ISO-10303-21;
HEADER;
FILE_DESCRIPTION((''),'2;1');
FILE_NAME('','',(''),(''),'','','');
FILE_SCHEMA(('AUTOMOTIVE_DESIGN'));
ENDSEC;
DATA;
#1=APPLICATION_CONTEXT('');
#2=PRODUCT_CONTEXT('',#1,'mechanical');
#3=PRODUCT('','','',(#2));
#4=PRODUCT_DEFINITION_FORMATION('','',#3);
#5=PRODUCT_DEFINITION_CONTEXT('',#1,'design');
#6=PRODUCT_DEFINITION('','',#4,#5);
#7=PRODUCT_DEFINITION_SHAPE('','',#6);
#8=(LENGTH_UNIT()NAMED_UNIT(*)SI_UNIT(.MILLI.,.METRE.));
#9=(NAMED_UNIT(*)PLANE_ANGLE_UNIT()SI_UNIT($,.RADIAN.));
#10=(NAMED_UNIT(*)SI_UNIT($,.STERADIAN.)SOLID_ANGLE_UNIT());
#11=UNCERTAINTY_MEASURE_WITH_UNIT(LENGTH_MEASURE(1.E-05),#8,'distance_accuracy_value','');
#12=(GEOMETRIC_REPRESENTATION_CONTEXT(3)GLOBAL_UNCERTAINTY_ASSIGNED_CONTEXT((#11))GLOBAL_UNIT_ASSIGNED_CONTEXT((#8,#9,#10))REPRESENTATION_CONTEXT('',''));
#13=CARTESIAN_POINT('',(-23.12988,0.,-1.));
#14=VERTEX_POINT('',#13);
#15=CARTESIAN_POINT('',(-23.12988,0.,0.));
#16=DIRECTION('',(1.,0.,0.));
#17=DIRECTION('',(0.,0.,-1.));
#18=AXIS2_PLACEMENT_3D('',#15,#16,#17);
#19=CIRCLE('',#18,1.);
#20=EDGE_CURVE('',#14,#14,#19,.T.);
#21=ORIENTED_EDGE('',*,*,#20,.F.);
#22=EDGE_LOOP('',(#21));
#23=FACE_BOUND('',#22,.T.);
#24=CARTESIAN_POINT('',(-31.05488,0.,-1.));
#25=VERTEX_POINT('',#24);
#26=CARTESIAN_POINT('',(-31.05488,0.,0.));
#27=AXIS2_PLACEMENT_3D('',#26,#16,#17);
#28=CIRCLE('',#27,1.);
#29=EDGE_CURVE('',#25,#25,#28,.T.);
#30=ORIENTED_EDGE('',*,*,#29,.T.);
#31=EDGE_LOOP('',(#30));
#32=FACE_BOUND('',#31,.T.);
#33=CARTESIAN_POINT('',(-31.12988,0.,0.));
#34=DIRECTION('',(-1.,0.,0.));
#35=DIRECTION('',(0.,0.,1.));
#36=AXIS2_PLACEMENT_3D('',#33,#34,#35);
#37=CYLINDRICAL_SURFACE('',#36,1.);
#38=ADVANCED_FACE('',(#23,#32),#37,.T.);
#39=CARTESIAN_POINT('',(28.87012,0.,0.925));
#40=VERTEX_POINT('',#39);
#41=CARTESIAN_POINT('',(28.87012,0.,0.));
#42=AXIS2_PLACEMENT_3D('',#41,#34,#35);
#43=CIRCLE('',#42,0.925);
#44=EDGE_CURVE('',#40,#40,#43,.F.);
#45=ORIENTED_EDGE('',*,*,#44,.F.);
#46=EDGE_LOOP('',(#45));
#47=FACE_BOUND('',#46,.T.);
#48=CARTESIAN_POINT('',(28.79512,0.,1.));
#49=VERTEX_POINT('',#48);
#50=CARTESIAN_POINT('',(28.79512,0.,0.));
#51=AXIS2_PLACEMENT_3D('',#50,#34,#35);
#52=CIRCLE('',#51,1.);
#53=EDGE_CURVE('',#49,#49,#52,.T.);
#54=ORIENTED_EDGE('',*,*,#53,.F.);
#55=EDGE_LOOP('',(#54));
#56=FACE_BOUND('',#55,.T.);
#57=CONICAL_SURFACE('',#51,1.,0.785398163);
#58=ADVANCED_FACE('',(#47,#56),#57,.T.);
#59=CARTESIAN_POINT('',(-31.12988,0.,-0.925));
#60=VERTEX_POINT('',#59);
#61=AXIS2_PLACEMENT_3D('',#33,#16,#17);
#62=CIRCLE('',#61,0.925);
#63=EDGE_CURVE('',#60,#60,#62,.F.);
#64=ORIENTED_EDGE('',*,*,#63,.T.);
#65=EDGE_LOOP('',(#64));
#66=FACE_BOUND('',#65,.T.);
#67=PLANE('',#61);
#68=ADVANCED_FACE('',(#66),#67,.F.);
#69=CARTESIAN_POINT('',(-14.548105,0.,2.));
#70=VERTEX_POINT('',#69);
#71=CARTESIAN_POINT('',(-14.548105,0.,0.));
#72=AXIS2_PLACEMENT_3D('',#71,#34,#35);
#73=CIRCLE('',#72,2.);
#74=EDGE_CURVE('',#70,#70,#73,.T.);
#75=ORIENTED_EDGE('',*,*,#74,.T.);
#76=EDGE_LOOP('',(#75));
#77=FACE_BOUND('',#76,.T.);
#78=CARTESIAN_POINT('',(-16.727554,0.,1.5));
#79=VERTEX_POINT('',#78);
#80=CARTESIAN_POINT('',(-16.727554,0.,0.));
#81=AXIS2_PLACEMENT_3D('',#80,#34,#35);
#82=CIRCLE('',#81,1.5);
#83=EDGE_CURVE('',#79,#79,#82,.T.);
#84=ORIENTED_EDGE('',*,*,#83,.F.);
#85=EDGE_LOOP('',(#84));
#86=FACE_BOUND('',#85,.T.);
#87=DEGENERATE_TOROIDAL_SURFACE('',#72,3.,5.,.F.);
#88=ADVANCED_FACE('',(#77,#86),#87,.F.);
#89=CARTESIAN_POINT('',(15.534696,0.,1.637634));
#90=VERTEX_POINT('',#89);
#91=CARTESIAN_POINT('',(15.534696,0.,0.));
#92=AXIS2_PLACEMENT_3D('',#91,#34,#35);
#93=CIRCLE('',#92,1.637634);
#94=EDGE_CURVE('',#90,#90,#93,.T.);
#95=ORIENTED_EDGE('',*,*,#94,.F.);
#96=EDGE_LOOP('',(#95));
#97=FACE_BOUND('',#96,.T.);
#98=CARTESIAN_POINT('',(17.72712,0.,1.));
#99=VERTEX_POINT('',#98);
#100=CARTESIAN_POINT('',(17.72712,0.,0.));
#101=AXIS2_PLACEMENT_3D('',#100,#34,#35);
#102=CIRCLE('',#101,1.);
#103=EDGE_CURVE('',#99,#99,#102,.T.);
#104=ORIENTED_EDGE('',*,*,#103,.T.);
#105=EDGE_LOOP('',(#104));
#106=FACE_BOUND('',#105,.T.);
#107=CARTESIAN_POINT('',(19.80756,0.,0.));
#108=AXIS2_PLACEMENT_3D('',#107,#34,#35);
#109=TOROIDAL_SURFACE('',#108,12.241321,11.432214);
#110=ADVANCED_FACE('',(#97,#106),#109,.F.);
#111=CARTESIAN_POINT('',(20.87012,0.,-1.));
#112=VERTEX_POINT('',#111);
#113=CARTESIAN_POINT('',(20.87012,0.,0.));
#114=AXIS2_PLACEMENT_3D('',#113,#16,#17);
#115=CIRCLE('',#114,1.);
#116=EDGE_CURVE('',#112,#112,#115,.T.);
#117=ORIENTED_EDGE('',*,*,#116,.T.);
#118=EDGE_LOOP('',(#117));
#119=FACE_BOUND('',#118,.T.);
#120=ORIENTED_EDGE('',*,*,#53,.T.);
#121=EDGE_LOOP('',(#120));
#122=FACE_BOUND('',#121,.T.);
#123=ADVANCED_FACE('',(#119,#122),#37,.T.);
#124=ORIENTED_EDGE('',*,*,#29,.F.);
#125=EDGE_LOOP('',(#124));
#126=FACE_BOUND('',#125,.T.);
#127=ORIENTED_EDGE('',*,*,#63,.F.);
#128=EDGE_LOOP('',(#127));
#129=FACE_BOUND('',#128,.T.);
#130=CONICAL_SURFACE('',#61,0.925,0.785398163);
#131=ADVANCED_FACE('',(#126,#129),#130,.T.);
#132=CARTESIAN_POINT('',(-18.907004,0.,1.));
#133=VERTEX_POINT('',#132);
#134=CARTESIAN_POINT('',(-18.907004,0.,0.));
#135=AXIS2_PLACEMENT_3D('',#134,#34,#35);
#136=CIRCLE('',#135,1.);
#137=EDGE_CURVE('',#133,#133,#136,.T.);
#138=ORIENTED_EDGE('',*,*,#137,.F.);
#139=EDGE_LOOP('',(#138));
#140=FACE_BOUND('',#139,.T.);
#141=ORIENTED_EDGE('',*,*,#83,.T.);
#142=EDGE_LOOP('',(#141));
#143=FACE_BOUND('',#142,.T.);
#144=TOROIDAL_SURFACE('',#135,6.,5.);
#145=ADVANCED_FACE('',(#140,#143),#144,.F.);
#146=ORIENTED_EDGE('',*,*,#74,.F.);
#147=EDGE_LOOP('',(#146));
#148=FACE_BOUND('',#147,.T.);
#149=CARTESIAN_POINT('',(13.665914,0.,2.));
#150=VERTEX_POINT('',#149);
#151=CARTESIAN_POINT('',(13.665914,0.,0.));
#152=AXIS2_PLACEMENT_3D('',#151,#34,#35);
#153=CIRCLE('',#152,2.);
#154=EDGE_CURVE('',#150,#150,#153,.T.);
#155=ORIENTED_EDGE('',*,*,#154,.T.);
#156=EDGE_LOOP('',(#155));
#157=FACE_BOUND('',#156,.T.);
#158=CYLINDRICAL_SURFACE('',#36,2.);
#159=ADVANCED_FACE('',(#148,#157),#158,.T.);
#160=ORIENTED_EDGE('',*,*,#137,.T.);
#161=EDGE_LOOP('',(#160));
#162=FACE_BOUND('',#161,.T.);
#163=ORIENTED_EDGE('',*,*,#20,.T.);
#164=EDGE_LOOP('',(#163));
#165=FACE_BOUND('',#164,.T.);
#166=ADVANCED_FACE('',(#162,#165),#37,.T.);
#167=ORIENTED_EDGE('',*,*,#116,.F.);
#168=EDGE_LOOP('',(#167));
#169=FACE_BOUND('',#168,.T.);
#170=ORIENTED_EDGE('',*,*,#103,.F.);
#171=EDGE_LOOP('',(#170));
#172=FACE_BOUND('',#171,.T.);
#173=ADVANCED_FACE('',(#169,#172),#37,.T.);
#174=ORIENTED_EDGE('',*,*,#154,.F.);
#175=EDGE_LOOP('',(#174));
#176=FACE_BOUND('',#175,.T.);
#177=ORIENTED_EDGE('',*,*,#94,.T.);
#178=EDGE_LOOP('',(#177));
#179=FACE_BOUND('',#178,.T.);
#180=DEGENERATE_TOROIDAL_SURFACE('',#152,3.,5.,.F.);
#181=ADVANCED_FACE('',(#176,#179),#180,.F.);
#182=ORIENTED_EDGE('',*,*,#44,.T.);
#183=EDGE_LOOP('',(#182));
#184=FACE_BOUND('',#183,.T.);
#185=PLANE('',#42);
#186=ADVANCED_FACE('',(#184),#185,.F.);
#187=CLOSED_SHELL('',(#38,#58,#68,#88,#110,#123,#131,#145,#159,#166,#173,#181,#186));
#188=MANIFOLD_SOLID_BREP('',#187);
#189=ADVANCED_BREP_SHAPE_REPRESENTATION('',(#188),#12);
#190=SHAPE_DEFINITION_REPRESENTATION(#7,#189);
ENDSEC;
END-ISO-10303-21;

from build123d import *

# Parameters (mm, degrees)
CHAMFER1_SIZE = 0.075


with BuildPart() as part:
    # Sketch1 → Revolve1 (revolve)
    with BuildSketch(Plane.XY, mode=Mode.PRIVATE) as revolve1_sk:
        with BuildLine():
            Line((-31.12987988, 0), (28.87012012, 0))
            Line((28.87012012, 0), (28.87012012, 1))
            Line((28.87012012, 1), (17.727119622, 1))
            ThreePointArc((17.727119622, 1), (16.614949467, 1.263945716), (15.53469649, 1.637634487))
            ThreePointArc((15.53469649, 1.637634487), (14.617709468, 1.908572727), (13.665914437, 2))
            Line((13.665914437, 2), (-14.54810485, 2))
            ThreePointArc((-14.54810485, 2), (-15.666138839, 1.873397172), (-16.727554322, 1.5))
            ThreePointArc((-16.727554322, 1.5), (-17.788969805, 1.126602828), (-18.907003794, 1))
            Line((-18.907003794, 1), (-31.12987988, 1))
            Line((-31.12987988, 1), (-31.12987988, 0))
        make_face()
    revolve(revolve1_sk.sketch.rotate(Axis((-31.12987988, 0, 0), (1, 0, 0)), 90), axis=Axis((-31.12987988, 0, 0), (1, 0, 0)))

    # Chamfer1
    chamfer1_edges = [part.edges().sort_by_distance(p)[0] for p in [
        (28.87012012, 0, -1),
        (-31.12987988, 0, -1),
    ]]
    chamfer(chamfer1_edges, length=CHAMFER1_SIZE)


solid = part.part
